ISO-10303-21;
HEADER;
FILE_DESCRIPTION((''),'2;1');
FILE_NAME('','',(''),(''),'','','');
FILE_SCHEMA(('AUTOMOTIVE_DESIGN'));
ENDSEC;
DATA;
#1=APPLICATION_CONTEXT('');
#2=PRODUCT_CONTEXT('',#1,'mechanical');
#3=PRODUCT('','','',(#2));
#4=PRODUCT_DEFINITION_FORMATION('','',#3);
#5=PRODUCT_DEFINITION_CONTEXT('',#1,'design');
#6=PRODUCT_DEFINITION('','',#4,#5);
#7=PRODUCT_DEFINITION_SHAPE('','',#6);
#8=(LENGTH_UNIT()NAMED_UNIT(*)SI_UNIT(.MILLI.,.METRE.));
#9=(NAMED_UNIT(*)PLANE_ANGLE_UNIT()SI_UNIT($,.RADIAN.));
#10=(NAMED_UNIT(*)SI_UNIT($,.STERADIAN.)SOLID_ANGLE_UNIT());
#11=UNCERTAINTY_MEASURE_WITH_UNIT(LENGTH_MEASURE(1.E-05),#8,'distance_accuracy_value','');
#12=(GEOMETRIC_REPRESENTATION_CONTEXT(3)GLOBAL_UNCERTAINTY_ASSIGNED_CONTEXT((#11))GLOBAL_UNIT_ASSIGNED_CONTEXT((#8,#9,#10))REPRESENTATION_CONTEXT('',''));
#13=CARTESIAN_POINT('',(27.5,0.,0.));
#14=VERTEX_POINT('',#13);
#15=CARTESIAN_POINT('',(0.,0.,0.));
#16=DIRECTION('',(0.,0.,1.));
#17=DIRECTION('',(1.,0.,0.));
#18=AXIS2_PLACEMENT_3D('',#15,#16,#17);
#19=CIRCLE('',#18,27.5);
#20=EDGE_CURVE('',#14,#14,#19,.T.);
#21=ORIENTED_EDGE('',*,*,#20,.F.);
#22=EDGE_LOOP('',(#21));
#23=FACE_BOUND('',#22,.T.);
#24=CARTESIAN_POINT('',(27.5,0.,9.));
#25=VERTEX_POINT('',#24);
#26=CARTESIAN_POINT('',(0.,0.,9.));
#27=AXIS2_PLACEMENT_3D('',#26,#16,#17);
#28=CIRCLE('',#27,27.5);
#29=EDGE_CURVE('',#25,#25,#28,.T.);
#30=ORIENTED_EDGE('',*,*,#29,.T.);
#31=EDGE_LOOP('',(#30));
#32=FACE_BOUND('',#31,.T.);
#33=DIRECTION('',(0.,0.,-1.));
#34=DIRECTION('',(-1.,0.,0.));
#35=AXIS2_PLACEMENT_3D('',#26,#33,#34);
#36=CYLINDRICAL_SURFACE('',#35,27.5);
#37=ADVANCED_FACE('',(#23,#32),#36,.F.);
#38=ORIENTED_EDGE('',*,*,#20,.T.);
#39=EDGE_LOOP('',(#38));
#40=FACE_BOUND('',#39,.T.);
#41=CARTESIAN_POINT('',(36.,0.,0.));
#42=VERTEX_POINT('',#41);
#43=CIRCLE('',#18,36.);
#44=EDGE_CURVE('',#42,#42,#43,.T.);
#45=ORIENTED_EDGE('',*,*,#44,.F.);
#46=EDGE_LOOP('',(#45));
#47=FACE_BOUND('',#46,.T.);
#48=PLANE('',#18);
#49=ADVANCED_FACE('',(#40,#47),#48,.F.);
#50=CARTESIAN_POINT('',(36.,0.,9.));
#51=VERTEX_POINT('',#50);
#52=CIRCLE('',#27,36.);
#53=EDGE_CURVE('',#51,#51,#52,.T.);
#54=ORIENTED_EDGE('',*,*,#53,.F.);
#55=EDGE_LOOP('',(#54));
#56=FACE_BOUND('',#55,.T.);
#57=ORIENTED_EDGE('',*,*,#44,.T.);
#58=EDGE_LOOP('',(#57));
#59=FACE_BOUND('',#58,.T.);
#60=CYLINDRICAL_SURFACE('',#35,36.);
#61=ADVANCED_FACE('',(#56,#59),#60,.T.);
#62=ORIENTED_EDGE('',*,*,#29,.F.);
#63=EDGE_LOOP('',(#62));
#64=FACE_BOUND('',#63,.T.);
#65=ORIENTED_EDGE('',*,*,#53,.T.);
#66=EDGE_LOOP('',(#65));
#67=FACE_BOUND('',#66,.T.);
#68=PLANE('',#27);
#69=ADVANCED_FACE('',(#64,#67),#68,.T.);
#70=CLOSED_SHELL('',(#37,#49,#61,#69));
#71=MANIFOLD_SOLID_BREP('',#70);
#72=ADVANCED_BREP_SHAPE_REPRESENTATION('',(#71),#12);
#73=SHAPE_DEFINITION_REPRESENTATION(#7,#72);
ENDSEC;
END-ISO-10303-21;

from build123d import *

# Parameters (mm, degrees)
SKETCH_1_R      = 36
SKETCH_1_R_2    = 27.5
EXTRUDE_1_DEPTH = 9


with BuildPart() as part:
    # Эскиз1 → Бобышка-Вытянуть1 (new body)
    with BuildSketch(Plane.XY):
        Circle(SKETCH_1_R)
        Circle(SKETCH_1_R_2, mode=Mode.SUBTRACT)
    extrude(amount=EXTRUDE_1_DEPTH)


solid = part.part
